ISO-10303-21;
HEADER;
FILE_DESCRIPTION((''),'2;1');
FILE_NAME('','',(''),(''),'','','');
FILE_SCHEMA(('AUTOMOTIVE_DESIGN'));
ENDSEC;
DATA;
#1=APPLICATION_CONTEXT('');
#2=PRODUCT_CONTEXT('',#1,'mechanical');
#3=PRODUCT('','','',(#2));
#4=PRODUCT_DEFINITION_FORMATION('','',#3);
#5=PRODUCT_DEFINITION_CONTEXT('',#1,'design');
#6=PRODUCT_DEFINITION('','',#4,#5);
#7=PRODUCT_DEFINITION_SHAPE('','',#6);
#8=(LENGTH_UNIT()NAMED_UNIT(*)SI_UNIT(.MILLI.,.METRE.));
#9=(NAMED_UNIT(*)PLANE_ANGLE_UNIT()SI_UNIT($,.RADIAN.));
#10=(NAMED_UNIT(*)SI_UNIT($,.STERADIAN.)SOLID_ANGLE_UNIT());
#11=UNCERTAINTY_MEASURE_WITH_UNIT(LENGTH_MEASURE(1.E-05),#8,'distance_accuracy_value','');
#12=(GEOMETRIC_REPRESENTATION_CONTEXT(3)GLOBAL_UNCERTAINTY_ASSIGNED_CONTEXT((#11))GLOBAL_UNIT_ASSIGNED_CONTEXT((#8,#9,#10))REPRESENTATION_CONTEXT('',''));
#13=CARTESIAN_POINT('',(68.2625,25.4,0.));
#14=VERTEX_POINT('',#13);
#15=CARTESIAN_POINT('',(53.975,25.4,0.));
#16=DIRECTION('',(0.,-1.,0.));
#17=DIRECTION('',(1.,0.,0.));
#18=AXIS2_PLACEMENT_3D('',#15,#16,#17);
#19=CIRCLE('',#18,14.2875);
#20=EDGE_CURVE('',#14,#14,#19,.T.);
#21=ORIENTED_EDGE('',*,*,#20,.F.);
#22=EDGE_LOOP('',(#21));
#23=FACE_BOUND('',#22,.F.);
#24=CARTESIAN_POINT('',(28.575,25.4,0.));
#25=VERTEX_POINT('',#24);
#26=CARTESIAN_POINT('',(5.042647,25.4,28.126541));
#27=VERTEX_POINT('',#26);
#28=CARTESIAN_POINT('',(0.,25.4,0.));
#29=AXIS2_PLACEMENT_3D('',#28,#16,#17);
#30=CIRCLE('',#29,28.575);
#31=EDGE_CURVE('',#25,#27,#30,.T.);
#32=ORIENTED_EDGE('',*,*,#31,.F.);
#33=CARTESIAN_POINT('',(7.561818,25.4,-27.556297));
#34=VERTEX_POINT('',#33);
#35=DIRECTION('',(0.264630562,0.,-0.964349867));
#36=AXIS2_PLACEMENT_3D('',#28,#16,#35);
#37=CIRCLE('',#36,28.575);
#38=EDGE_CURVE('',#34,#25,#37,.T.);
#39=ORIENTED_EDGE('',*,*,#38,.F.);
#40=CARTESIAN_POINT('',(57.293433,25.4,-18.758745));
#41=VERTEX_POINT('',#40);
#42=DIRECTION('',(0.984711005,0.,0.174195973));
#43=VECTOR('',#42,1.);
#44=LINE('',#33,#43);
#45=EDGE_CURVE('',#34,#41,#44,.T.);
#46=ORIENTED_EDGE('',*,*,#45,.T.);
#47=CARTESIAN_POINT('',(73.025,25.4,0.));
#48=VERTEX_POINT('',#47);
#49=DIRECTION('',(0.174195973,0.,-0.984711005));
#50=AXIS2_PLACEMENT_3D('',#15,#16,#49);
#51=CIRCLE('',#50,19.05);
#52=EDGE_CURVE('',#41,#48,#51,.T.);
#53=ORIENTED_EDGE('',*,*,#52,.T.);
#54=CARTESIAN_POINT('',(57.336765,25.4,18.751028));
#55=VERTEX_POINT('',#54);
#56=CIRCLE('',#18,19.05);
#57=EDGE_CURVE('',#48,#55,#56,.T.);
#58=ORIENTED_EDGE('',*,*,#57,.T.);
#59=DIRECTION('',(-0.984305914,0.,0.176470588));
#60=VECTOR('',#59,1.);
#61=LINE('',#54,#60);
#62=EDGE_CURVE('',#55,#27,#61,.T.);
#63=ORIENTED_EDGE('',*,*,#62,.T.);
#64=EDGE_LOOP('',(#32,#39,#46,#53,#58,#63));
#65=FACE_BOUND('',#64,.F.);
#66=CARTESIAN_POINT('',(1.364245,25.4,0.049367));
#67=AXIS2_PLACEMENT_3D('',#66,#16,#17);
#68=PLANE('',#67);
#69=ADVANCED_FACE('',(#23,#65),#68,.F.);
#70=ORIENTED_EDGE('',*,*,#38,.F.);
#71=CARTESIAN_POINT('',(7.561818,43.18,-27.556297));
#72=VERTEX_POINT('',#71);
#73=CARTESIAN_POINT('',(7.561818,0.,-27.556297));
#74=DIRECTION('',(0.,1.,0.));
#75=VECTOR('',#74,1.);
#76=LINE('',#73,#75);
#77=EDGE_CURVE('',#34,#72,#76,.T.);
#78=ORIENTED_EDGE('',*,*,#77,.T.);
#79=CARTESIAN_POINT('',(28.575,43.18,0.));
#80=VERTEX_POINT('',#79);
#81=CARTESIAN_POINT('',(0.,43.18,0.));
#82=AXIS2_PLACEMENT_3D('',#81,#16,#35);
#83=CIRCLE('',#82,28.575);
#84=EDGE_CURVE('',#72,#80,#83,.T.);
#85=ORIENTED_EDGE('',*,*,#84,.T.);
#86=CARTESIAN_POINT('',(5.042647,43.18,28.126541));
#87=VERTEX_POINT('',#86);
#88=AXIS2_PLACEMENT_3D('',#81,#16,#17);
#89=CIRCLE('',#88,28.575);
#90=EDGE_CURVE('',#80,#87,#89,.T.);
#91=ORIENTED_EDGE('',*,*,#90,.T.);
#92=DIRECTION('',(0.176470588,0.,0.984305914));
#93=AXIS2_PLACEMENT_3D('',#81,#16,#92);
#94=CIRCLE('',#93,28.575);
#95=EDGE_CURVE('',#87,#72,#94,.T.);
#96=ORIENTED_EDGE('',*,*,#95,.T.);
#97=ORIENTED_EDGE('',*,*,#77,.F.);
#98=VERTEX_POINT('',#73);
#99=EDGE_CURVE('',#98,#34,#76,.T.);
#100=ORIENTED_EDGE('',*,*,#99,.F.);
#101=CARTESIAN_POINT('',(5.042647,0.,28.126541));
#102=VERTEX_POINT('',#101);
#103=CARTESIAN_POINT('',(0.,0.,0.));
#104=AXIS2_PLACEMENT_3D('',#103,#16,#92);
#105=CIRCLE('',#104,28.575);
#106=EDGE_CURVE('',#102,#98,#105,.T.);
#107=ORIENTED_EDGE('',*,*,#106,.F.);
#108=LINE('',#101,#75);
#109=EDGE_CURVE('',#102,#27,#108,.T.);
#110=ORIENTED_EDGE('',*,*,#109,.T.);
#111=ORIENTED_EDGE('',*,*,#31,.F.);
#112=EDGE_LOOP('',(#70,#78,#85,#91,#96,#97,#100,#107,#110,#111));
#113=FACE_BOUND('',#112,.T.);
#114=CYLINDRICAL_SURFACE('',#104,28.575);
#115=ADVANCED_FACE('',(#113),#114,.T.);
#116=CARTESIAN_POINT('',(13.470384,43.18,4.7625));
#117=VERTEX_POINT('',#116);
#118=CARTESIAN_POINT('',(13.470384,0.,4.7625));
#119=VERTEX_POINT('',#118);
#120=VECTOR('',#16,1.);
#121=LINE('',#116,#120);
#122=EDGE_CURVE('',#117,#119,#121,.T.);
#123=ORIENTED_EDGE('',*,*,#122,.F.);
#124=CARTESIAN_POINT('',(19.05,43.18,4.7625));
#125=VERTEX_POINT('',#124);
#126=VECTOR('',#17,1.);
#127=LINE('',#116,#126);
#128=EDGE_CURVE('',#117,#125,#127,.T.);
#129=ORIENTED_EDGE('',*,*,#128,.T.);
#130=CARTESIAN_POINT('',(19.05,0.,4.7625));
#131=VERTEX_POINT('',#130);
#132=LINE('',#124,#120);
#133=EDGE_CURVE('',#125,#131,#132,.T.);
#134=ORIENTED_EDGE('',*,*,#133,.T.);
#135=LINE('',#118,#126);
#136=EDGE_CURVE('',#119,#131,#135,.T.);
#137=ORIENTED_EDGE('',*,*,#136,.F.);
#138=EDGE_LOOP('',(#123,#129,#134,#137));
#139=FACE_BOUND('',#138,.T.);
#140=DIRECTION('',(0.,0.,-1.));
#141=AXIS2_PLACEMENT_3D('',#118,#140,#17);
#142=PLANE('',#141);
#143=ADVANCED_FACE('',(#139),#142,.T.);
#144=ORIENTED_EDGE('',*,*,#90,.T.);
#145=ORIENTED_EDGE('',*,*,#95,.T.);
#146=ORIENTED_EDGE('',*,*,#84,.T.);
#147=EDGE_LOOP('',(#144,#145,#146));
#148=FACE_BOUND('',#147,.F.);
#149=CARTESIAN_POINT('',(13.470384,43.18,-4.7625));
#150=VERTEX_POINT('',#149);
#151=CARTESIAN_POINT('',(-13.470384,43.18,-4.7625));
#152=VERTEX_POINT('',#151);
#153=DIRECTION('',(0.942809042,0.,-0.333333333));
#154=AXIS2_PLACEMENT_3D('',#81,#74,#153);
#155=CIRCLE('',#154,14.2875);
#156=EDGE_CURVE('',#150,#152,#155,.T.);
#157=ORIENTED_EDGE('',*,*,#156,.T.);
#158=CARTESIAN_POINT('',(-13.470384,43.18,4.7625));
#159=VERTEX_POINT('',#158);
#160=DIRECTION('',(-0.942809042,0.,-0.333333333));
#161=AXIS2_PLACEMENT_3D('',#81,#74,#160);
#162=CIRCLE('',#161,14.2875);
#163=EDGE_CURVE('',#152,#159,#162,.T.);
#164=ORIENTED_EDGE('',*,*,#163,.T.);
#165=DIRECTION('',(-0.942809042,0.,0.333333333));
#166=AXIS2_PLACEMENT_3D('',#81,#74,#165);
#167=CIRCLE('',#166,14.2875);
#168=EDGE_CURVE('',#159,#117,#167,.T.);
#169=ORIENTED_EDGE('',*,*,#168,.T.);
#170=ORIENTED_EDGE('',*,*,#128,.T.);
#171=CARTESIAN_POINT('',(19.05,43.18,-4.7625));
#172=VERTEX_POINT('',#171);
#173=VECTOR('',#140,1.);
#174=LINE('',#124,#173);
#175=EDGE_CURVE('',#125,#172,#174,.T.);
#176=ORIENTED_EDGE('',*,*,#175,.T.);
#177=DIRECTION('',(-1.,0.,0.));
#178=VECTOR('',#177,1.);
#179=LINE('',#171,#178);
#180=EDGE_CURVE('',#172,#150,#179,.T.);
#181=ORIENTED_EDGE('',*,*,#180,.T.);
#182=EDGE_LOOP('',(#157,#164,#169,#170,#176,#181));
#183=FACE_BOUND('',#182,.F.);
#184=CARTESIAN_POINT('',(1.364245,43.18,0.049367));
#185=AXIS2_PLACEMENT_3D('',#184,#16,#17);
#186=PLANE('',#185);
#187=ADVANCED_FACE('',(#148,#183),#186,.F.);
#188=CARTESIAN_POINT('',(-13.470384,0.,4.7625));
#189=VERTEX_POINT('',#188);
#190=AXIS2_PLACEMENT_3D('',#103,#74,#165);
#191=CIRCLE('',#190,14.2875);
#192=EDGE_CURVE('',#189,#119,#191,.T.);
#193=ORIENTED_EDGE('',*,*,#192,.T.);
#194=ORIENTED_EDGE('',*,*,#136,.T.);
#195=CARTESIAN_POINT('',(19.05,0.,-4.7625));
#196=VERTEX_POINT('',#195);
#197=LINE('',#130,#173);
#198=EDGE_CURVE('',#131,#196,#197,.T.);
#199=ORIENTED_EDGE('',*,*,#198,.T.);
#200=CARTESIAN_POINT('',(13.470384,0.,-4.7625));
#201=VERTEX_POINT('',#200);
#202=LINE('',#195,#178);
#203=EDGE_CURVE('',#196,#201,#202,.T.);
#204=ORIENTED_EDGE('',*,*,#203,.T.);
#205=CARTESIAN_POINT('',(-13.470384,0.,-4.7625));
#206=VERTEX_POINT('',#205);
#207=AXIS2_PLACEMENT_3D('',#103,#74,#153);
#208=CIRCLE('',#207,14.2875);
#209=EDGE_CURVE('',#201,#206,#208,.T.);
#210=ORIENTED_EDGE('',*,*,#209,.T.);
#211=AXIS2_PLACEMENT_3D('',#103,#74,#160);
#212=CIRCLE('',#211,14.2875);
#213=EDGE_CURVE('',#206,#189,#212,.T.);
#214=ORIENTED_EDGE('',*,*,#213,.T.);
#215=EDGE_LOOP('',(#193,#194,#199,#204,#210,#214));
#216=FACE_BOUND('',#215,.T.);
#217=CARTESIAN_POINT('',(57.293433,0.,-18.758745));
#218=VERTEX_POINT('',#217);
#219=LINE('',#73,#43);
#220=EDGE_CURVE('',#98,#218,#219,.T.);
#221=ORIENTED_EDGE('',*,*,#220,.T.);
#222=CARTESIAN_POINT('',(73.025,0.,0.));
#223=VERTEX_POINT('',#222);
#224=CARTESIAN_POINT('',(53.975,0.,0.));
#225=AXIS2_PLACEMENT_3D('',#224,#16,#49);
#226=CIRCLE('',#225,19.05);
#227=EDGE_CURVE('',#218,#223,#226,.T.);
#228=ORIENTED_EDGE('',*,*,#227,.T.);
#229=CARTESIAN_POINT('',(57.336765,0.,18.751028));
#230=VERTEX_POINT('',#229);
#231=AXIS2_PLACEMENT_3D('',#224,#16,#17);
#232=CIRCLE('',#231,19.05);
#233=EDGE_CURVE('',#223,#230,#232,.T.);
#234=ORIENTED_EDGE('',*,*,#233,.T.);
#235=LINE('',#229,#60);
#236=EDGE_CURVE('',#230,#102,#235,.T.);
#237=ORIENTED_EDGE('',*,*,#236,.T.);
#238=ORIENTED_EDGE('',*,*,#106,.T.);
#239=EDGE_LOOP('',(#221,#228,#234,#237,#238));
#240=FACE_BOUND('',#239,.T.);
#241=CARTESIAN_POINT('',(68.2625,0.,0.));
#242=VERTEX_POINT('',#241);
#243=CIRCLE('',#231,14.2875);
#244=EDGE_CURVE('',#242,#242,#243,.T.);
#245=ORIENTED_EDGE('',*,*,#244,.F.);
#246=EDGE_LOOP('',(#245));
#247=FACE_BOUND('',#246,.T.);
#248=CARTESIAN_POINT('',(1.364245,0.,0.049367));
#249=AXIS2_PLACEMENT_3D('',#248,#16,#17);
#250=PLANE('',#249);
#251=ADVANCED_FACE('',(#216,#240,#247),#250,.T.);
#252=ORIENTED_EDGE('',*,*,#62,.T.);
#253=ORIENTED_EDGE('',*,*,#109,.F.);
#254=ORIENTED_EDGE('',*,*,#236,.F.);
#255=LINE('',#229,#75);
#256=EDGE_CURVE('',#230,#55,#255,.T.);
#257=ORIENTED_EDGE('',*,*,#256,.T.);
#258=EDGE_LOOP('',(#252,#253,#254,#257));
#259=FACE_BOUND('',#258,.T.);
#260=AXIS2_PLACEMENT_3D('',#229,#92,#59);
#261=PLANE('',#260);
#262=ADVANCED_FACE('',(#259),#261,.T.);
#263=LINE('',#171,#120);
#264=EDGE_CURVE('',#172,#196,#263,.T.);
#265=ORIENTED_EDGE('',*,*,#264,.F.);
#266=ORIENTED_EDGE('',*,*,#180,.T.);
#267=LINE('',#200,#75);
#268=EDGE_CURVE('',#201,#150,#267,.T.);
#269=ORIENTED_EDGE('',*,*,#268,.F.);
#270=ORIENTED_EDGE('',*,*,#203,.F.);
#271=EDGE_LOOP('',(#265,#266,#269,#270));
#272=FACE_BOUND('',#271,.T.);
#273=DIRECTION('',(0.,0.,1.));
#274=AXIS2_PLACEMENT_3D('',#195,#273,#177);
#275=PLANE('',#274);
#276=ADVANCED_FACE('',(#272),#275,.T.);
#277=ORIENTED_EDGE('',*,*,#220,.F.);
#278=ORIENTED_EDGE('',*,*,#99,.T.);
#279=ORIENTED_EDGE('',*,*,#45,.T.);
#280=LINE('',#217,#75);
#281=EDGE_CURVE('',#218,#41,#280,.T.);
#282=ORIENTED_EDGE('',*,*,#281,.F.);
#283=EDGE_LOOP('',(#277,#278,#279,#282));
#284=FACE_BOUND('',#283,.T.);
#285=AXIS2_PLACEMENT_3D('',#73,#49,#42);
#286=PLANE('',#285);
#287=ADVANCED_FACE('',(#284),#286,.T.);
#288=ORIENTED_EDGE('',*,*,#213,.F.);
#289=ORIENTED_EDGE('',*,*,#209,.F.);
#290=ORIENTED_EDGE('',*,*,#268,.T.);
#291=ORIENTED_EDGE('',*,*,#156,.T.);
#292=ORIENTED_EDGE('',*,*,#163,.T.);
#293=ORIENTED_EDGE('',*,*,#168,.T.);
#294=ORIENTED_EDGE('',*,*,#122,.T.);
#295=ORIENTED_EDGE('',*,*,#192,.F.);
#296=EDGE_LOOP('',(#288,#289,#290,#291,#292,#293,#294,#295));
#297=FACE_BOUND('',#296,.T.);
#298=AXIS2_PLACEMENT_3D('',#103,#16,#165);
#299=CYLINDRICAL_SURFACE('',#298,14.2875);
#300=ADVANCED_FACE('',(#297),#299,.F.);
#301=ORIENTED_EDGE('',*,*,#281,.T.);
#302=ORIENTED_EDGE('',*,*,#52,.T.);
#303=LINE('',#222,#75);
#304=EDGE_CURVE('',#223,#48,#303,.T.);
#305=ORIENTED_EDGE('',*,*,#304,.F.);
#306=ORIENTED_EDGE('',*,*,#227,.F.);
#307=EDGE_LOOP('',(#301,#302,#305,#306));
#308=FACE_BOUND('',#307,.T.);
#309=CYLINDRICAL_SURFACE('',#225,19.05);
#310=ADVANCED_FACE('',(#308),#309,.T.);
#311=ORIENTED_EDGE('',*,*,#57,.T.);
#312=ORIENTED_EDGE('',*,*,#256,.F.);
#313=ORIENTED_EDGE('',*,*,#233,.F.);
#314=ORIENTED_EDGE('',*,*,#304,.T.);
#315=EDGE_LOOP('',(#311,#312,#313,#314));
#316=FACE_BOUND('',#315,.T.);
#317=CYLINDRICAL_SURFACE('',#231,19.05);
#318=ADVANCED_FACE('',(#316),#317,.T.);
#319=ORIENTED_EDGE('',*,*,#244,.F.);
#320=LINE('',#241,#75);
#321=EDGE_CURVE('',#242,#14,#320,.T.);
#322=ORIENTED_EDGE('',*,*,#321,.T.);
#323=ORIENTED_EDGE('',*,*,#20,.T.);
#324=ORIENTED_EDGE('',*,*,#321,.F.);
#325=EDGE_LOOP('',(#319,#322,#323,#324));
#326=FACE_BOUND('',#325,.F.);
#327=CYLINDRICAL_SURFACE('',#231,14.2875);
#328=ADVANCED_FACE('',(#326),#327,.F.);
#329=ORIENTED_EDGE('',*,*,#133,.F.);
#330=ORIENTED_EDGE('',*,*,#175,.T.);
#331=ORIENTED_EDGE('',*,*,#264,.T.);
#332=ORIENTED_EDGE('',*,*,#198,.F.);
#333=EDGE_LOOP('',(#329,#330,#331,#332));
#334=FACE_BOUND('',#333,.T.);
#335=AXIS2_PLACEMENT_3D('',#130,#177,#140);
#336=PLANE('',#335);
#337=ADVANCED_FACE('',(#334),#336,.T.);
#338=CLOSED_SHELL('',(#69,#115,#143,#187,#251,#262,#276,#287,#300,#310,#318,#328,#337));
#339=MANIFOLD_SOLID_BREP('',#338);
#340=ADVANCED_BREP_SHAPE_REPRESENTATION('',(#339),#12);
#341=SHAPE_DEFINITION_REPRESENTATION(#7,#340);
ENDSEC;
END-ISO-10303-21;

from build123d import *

# Parameters (mm, degrees)
F0_R     = 14.2875
F1_DEPTH = 25.4
F2_DEPTH = 43.18


with BuildPart() as f1:
    # F0 (on Front) → F1 (new body)
    with BuildSketch(Plane.XZ):
        with BuildLine():
            ThreePointArc((7.5618183068, -27.5562974453), (22.7223412429, -17.3270260992), (28.575, 0))
            ThreePointArc((28.575, 0), (21.9160245563, 18.3362616868), (5.0426470588, 28.1265414802))
            ThreePointArc((5.0426470588, 28.1265414802), (-28.5458013461, -1.2914528675), (7.5618183068, -27.5562974453))
        make_face()
        with BuildLine():
            ThreePointArc((-13.4703841816, 4.7625), (0, 14.2875), (13.4703841816, 4.7625))
            Line((13.4703841816, 4.7625), (19.05, 4.7625))
            Line((19.05, 4.7625), (19.05, -4.7625))
            Line((19.05, -4.7625), (13.4703841816, -4.7625))
            ThreePointArc((13.4703841816, -4.7625), (0, -14.2875), (-13.4703841816, -4.7625))
            Line((-13.4703841816, -4.7625), (-19.05, -4.7625))
            Line((-19.05, -4.7625), (-19.05, 4.7625))
            Line((-19.05, 4.7625), (-13.4703841816, 4.7625))
        make_face(mode=Mode.SUBTRACT)
        with BuildLine():
            ThreePointArc((5.0426470588, 28.1265414802), (21.9160245563, 18.3362616868), (28.575, 0))
            ThreePointArc((28.575, 0), (22.7223412429, -17.3270260992), (7.5618183068, -27.5562974453))
            Line((7.5618183068, -27.5562974453), (57.2934332861, -18.7587446415))
            ThreePointArc((57.2934332861, -18.7587446415), (34.9250127111, 0.0220066118), (57.3367647059, 18.7510276535))
            Line((57.3367647059, 18.7510276535), (5.0426470588, 28.1265414802))
        make_face()
        with BuildLine():
            ThreePointArc((73.025, 0), (68.5856830375, 12.2241744579), (57.3367647059, 18.7510276535))
            ThreePointArc((57.3367647059, 18.7510276535), (34.9250127111, 0.0220066118), (57.2934332861, -18.7587446415))
            ThreePointArc((57.2934332861, -18.7587446415), (68.571551889, -12.2410446021), (73.025, 0))
        make_face()
        with Locations((53.975, 0)):
            Circle(F0_R, mode=Mode.SUBTRACT)
        with BuildLine():
            ThreePointArc((-13.4703841816, -4.7625), (-14.2875, 0), (-13.4703841816, 4.7625))
            Line((-13.4703841816, 4.7625), (-19.05, 4.7625))
            Line((-19.05, 4.7625), (-19.05, -4.7625))
            Line((-19.05, -4.7625), (-13.4703841816, -4.7625))
        make_face()
    extrude(amount=-F1_DEPTH)

    # F0 (on Front) → F2 (join)
    with BuildSketch(Plane.XZ):
        with BuildLine():
            ThreePointArc((7.5618183068, -27.5562974453), (22.7223412429, -17.3270260992), (28.575, 0))
            ThreePointArc((28.575, 0), (21.9160245563, 18.3362616868), (5.0426470588, 28.1265414802))
            ThreePointArc((5.0426470588, 28.1265414802), (-28.5458013461, -1.2914528675), (7.5618183068, -27.5562974453))
        make_face()
        with BuildLine():
            ThreePointArc((-13.4703841816, 4.7625), (0, 14.2875), (13.4703841816, 4.7625))
            Line((13.4703841816, 4.7625), (19.05, 4.7625))
            Line((19.05, 4.7625), (19.05, -4.7625))
            Line((19.05, -4.7625), (13.4703841816, -4.7625))
            ThreePointArc((13.4703841816, -4.7625), (0, -14.2875), (-13.4703841816, -4.7625))
            Line((-13.4703841816, -4.7625), (-19.05, -4.7625))
            Line((-19.05, -4.7625), (-19.05, 4.7625))
            Line((-19.05, 4.7625), (-13.4703841816, 4.7625))
        make_face(mode=Mode.SUBTRACT)
        with BuildLine():
            ThreePointArc((-13.4703841816, -4.7625), (-14.2875, 0), (-13.4703841816, 4.7625))
            Line((-13.4703841816, 4.7625), (-19.05, 4.7625))
            Line((-19.05, 4.7625), (-19.05, -4.7625))
            Line((-19.05, -4.7625), (-13.4703841816, -4.7625))
        make_face()
    extrude(amount=-F2_DEPTH)


solid = f1.part
